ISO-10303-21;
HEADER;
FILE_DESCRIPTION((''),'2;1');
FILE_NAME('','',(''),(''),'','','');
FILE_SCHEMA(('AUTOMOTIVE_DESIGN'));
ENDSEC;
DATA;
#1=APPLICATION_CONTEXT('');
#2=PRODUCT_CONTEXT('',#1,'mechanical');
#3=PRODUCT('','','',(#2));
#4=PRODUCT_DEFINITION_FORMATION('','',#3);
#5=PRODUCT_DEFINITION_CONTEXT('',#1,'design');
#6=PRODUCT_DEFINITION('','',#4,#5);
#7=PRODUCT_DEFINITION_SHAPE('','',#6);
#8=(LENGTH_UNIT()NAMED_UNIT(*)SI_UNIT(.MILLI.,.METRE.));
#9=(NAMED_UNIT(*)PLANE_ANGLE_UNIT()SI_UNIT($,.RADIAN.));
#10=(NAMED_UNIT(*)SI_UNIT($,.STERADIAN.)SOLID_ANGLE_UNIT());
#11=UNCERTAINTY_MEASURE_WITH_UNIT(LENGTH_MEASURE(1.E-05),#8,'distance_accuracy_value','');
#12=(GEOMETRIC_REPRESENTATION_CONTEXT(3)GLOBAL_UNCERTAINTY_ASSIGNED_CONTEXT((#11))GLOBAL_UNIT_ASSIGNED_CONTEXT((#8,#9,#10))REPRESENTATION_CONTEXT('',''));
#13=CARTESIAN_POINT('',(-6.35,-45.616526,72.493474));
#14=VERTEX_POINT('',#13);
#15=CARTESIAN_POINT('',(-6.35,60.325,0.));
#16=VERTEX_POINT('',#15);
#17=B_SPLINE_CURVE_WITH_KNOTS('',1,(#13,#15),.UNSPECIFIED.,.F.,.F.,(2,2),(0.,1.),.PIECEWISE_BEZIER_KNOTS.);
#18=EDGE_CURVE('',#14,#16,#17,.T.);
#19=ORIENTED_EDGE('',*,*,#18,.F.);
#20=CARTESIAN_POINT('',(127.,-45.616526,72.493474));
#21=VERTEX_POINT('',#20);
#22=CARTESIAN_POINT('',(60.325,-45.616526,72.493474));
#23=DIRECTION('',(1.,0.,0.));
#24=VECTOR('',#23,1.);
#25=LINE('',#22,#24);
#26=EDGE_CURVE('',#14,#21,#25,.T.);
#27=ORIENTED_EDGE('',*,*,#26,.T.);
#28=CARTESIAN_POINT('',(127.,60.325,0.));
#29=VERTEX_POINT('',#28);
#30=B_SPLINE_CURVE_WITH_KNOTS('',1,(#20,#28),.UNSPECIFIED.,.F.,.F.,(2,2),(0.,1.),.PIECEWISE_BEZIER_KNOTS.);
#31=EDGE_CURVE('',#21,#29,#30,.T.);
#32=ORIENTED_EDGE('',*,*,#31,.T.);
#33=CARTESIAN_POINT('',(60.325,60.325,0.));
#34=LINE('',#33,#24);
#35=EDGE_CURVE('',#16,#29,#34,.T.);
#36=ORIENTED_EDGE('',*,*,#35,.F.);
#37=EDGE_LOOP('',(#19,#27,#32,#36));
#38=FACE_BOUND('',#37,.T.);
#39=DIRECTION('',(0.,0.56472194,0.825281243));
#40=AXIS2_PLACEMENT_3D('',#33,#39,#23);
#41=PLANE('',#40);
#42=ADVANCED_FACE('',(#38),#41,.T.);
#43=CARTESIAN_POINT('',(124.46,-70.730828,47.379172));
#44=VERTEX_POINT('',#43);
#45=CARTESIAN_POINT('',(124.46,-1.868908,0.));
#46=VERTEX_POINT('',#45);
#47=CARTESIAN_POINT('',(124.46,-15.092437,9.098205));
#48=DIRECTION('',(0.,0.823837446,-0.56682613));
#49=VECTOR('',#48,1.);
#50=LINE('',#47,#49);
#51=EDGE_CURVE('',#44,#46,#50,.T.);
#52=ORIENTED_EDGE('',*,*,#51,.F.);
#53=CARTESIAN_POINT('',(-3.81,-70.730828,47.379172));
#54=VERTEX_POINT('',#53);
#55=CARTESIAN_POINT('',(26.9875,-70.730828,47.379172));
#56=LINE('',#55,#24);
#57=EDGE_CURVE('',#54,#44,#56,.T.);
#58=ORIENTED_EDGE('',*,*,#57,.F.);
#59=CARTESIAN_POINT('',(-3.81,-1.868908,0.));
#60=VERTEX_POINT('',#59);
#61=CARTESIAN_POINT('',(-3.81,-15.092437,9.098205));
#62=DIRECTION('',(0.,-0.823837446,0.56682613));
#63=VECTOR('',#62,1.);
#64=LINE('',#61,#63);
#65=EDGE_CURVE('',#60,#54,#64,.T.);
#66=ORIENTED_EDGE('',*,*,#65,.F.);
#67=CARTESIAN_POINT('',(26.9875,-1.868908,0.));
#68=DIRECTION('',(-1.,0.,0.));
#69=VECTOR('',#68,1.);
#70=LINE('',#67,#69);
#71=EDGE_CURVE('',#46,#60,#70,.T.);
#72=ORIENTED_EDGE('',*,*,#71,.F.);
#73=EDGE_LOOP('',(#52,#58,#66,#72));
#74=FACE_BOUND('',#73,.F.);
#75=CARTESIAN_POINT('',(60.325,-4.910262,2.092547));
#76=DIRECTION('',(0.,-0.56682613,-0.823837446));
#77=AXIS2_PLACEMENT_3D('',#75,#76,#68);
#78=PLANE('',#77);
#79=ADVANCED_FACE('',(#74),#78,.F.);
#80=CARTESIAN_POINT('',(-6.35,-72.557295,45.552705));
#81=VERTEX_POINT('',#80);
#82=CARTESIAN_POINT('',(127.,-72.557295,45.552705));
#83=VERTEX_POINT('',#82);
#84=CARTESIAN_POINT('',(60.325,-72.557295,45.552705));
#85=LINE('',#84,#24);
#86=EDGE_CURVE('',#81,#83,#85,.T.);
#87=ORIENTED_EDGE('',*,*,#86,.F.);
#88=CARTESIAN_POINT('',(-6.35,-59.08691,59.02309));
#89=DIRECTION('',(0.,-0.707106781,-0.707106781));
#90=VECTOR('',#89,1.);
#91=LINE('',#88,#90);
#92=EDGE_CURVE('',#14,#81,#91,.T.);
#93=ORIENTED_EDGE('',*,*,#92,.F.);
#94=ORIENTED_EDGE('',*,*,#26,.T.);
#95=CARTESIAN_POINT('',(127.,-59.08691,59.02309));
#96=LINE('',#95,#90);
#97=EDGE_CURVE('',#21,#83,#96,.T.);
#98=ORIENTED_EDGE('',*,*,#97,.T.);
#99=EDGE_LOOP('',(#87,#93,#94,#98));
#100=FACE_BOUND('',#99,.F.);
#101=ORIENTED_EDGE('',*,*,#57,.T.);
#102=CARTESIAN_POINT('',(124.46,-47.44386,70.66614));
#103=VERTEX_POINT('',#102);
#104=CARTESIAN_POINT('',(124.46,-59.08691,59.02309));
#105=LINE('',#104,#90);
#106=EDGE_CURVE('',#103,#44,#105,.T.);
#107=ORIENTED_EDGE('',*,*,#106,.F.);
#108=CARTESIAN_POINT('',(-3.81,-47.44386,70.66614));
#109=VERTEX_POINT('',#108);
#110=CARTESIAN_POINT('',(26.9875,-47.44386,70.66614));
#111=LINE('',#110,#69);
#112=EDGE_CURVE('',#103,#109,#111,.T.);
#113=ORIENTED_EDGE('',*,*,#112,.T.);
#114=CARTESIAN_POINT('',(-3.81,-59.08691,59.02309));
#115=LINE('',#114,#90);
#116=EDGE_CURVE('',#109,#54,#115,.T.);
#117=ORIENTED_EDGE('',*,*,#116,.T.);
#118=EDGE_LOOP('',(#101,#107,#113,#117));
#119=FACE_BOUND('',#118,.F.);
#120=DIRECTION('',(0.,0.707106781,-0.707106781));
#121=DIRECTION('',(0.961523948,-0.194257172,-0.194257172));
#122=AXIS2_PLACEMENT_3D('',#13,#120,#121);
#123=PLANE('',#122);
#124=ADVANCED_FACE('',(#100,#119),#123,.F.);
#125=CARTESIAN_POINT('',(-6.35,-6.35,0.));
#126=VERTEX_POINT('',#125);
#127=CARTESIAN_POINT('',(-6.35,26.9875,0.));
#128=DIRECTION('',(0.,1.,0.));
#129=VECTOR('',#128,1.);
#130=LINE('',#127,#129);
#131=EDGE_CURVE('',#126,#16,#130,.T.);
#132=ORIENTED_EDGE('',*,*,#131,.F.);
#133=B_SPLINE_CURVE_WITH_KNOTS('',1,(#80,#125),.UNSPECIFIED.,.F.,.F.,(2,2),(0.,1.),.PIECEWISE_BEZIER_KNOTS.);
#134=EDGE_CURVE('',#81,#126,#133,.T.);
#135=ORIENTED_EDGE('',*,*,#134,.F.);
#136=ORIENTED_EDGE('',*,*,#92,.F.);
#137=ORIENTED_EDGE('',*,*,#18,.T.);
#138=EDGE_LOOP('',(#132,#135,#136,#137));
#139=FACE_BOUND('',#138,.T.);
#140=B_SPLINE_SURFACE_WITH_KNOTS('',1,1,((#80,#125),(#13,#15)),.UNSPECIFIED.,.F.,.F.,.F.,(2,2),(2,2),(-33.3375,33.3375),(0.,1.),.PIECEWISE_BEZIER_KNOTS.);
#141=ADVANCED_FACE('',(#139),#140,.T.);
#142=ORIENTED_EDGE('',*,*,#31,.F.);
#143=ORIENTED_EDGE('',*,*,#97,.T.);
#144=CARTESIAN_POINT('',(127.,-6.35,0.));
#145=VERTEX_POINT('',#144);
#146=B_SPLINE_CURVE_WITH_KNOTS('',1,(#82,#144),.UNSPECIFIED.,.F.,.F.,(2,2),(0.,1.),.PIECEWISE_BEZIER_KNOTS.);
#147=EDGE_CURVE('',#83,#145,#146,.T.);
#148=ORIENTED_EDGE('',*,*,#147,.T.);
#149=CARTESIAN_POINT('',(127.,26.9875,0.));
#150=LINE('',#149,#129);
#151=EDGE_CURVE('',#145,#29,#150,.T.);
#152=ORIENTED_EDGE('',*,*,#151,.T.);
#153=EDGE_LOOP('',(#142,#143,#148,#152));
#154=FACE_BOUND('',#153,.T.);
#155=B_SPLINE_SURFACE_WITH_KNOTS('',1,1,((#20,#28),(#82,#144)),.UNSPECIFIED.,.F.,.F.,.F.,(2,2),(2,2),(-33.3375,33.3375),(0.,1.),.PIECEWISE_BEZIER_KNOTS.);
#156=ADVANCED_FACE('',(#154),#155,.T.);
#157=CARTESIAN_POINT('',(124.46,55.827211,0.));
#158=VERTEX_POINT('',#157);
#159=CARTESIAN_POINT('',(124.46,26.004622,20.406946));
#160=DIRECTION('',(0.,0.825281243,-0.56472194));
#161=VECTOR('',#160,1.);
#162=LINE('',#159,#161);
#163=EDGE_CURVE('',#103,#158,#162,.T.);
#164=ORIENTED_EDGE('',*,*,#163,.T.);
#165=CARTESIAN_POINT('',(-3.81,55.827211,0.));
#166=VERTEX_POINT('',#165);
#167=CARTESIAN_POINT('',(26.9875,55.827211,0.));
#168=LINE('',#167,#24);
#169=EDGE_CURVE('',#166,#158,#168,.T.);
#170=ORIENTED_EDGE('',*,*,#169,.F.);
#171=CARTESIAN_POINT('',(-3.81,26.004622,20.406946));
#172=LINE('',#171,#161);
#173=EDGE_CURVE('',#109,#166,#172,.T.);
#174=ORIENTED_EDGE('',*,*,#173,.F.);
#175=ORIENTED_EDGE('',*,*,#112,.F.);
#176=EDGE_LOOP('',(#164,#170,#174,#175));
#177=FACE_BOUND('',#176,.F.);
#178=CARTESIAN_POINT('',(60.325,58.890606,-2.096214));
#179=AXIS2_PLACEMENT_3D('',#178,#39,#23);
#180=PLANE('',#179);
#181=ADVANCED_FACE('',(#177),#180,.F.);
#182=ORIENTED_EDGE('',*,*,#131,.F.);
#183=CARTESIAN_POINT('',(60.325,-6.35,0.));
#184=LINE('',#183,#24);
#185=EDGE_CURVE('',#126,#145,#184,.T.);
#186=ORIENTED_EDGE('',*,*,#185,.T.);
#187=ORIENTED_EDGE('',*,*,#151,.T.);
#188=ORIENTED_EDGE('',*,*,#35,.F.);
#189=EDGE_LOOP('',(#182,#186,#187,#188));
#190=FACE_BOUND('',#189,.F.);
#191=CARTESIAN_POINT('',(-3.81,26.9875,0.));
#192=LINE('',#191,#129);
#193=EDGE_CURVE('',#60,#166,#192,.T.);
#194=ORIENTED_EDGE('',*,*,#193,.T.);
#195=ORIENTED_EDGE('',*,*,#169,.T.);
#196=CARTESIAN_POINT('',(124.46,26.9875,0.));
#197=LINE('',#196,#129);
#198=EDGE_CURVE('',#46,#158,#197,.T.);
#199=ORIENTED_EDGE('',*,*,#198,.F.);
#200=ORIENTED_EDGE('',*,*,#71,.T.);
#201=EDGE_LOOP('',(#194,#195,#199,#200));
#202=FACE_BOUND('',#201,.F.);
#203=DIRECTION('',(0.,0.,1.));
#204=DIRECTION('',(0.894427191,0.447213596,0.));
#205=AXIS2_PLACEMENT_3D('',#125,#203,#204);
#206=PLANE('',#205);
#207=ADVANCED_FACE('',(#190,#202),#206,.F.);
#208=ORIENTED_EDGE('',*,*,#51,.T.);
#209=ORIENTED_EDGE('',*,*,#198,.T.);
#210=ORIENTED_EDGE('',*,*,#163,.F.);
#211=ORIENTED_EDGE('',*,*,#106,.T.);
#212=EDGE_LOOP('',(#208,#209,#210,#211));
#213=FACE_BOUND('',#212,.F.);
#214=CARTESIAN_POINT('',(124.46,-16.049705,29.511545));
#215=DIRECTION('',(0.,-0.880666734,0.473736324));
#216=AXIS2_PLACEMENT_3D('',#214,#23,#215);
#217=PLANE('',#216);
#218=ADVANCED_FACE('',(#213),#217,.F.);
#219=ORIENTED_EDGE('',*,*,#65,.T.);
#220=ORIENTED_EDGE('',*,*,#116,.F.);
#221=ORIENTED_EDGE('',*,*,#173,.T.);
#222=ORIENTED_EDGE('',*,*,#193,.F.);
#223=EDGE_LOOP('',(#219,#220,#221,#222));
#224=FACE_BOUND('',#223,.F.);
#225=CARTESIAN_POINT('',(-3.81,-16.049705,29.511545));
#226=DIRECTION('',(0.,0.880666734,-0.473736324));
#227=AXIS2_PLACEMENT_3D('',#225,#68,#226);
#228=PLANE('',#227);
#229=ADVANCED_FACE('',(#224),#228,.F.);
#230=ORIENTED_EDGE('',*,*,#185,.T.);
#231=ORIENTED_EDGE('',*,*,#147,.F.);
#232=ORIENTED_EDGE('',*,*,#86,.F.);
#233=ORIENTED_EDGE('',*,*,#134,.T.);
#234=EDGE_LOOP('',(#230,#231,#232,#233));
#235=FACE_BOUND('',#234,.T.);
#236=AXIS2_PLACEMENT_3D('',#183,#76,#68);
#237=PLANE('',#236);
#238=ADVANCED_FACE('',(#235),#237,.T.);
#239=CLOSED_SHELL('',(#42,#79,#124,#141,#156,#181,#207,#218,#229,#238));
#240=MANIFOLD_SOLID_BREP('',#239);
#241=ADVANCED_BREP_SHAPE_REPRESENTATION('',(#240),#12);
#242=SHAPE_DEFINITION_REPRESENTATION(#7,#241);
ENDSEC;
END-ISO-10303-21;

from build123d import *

# Parameters (mm, degrees)
F4_W = 133.35
F4_H = 38.1
F0_W = 133.35
F0_H = 66.675
F6_T = -2.54


with BuildPart() as f5:
    # F4 (on face) → F5 section 0
    with BuildSketch(Plane(origin=(0, -59.055, 59.055), x_dir=(1, 0, 0), z_dir=(0, 0.7071067812, -0.7071067812))):
        with Locations((60.325, 0.0451280605)):
            Rectangle(F4_W, F4_H)
    # F0 (on Top) → F5 section 1
    with BuildSketch(Plane.XY):
        with Locations((60.325, 26.9875)):
            Rectangle(F0_W, F0_H)
    loft()

    # F6
    f6_openings = [f5.faces().sort_by_distance(p)[0] for p in [
        (60.325, 26.9875, 0),
        (60.325, -59.08691, 59.02309),
    ]]
    offset(amount=F6_T, openings=f6_openings)


solid = f5.part
